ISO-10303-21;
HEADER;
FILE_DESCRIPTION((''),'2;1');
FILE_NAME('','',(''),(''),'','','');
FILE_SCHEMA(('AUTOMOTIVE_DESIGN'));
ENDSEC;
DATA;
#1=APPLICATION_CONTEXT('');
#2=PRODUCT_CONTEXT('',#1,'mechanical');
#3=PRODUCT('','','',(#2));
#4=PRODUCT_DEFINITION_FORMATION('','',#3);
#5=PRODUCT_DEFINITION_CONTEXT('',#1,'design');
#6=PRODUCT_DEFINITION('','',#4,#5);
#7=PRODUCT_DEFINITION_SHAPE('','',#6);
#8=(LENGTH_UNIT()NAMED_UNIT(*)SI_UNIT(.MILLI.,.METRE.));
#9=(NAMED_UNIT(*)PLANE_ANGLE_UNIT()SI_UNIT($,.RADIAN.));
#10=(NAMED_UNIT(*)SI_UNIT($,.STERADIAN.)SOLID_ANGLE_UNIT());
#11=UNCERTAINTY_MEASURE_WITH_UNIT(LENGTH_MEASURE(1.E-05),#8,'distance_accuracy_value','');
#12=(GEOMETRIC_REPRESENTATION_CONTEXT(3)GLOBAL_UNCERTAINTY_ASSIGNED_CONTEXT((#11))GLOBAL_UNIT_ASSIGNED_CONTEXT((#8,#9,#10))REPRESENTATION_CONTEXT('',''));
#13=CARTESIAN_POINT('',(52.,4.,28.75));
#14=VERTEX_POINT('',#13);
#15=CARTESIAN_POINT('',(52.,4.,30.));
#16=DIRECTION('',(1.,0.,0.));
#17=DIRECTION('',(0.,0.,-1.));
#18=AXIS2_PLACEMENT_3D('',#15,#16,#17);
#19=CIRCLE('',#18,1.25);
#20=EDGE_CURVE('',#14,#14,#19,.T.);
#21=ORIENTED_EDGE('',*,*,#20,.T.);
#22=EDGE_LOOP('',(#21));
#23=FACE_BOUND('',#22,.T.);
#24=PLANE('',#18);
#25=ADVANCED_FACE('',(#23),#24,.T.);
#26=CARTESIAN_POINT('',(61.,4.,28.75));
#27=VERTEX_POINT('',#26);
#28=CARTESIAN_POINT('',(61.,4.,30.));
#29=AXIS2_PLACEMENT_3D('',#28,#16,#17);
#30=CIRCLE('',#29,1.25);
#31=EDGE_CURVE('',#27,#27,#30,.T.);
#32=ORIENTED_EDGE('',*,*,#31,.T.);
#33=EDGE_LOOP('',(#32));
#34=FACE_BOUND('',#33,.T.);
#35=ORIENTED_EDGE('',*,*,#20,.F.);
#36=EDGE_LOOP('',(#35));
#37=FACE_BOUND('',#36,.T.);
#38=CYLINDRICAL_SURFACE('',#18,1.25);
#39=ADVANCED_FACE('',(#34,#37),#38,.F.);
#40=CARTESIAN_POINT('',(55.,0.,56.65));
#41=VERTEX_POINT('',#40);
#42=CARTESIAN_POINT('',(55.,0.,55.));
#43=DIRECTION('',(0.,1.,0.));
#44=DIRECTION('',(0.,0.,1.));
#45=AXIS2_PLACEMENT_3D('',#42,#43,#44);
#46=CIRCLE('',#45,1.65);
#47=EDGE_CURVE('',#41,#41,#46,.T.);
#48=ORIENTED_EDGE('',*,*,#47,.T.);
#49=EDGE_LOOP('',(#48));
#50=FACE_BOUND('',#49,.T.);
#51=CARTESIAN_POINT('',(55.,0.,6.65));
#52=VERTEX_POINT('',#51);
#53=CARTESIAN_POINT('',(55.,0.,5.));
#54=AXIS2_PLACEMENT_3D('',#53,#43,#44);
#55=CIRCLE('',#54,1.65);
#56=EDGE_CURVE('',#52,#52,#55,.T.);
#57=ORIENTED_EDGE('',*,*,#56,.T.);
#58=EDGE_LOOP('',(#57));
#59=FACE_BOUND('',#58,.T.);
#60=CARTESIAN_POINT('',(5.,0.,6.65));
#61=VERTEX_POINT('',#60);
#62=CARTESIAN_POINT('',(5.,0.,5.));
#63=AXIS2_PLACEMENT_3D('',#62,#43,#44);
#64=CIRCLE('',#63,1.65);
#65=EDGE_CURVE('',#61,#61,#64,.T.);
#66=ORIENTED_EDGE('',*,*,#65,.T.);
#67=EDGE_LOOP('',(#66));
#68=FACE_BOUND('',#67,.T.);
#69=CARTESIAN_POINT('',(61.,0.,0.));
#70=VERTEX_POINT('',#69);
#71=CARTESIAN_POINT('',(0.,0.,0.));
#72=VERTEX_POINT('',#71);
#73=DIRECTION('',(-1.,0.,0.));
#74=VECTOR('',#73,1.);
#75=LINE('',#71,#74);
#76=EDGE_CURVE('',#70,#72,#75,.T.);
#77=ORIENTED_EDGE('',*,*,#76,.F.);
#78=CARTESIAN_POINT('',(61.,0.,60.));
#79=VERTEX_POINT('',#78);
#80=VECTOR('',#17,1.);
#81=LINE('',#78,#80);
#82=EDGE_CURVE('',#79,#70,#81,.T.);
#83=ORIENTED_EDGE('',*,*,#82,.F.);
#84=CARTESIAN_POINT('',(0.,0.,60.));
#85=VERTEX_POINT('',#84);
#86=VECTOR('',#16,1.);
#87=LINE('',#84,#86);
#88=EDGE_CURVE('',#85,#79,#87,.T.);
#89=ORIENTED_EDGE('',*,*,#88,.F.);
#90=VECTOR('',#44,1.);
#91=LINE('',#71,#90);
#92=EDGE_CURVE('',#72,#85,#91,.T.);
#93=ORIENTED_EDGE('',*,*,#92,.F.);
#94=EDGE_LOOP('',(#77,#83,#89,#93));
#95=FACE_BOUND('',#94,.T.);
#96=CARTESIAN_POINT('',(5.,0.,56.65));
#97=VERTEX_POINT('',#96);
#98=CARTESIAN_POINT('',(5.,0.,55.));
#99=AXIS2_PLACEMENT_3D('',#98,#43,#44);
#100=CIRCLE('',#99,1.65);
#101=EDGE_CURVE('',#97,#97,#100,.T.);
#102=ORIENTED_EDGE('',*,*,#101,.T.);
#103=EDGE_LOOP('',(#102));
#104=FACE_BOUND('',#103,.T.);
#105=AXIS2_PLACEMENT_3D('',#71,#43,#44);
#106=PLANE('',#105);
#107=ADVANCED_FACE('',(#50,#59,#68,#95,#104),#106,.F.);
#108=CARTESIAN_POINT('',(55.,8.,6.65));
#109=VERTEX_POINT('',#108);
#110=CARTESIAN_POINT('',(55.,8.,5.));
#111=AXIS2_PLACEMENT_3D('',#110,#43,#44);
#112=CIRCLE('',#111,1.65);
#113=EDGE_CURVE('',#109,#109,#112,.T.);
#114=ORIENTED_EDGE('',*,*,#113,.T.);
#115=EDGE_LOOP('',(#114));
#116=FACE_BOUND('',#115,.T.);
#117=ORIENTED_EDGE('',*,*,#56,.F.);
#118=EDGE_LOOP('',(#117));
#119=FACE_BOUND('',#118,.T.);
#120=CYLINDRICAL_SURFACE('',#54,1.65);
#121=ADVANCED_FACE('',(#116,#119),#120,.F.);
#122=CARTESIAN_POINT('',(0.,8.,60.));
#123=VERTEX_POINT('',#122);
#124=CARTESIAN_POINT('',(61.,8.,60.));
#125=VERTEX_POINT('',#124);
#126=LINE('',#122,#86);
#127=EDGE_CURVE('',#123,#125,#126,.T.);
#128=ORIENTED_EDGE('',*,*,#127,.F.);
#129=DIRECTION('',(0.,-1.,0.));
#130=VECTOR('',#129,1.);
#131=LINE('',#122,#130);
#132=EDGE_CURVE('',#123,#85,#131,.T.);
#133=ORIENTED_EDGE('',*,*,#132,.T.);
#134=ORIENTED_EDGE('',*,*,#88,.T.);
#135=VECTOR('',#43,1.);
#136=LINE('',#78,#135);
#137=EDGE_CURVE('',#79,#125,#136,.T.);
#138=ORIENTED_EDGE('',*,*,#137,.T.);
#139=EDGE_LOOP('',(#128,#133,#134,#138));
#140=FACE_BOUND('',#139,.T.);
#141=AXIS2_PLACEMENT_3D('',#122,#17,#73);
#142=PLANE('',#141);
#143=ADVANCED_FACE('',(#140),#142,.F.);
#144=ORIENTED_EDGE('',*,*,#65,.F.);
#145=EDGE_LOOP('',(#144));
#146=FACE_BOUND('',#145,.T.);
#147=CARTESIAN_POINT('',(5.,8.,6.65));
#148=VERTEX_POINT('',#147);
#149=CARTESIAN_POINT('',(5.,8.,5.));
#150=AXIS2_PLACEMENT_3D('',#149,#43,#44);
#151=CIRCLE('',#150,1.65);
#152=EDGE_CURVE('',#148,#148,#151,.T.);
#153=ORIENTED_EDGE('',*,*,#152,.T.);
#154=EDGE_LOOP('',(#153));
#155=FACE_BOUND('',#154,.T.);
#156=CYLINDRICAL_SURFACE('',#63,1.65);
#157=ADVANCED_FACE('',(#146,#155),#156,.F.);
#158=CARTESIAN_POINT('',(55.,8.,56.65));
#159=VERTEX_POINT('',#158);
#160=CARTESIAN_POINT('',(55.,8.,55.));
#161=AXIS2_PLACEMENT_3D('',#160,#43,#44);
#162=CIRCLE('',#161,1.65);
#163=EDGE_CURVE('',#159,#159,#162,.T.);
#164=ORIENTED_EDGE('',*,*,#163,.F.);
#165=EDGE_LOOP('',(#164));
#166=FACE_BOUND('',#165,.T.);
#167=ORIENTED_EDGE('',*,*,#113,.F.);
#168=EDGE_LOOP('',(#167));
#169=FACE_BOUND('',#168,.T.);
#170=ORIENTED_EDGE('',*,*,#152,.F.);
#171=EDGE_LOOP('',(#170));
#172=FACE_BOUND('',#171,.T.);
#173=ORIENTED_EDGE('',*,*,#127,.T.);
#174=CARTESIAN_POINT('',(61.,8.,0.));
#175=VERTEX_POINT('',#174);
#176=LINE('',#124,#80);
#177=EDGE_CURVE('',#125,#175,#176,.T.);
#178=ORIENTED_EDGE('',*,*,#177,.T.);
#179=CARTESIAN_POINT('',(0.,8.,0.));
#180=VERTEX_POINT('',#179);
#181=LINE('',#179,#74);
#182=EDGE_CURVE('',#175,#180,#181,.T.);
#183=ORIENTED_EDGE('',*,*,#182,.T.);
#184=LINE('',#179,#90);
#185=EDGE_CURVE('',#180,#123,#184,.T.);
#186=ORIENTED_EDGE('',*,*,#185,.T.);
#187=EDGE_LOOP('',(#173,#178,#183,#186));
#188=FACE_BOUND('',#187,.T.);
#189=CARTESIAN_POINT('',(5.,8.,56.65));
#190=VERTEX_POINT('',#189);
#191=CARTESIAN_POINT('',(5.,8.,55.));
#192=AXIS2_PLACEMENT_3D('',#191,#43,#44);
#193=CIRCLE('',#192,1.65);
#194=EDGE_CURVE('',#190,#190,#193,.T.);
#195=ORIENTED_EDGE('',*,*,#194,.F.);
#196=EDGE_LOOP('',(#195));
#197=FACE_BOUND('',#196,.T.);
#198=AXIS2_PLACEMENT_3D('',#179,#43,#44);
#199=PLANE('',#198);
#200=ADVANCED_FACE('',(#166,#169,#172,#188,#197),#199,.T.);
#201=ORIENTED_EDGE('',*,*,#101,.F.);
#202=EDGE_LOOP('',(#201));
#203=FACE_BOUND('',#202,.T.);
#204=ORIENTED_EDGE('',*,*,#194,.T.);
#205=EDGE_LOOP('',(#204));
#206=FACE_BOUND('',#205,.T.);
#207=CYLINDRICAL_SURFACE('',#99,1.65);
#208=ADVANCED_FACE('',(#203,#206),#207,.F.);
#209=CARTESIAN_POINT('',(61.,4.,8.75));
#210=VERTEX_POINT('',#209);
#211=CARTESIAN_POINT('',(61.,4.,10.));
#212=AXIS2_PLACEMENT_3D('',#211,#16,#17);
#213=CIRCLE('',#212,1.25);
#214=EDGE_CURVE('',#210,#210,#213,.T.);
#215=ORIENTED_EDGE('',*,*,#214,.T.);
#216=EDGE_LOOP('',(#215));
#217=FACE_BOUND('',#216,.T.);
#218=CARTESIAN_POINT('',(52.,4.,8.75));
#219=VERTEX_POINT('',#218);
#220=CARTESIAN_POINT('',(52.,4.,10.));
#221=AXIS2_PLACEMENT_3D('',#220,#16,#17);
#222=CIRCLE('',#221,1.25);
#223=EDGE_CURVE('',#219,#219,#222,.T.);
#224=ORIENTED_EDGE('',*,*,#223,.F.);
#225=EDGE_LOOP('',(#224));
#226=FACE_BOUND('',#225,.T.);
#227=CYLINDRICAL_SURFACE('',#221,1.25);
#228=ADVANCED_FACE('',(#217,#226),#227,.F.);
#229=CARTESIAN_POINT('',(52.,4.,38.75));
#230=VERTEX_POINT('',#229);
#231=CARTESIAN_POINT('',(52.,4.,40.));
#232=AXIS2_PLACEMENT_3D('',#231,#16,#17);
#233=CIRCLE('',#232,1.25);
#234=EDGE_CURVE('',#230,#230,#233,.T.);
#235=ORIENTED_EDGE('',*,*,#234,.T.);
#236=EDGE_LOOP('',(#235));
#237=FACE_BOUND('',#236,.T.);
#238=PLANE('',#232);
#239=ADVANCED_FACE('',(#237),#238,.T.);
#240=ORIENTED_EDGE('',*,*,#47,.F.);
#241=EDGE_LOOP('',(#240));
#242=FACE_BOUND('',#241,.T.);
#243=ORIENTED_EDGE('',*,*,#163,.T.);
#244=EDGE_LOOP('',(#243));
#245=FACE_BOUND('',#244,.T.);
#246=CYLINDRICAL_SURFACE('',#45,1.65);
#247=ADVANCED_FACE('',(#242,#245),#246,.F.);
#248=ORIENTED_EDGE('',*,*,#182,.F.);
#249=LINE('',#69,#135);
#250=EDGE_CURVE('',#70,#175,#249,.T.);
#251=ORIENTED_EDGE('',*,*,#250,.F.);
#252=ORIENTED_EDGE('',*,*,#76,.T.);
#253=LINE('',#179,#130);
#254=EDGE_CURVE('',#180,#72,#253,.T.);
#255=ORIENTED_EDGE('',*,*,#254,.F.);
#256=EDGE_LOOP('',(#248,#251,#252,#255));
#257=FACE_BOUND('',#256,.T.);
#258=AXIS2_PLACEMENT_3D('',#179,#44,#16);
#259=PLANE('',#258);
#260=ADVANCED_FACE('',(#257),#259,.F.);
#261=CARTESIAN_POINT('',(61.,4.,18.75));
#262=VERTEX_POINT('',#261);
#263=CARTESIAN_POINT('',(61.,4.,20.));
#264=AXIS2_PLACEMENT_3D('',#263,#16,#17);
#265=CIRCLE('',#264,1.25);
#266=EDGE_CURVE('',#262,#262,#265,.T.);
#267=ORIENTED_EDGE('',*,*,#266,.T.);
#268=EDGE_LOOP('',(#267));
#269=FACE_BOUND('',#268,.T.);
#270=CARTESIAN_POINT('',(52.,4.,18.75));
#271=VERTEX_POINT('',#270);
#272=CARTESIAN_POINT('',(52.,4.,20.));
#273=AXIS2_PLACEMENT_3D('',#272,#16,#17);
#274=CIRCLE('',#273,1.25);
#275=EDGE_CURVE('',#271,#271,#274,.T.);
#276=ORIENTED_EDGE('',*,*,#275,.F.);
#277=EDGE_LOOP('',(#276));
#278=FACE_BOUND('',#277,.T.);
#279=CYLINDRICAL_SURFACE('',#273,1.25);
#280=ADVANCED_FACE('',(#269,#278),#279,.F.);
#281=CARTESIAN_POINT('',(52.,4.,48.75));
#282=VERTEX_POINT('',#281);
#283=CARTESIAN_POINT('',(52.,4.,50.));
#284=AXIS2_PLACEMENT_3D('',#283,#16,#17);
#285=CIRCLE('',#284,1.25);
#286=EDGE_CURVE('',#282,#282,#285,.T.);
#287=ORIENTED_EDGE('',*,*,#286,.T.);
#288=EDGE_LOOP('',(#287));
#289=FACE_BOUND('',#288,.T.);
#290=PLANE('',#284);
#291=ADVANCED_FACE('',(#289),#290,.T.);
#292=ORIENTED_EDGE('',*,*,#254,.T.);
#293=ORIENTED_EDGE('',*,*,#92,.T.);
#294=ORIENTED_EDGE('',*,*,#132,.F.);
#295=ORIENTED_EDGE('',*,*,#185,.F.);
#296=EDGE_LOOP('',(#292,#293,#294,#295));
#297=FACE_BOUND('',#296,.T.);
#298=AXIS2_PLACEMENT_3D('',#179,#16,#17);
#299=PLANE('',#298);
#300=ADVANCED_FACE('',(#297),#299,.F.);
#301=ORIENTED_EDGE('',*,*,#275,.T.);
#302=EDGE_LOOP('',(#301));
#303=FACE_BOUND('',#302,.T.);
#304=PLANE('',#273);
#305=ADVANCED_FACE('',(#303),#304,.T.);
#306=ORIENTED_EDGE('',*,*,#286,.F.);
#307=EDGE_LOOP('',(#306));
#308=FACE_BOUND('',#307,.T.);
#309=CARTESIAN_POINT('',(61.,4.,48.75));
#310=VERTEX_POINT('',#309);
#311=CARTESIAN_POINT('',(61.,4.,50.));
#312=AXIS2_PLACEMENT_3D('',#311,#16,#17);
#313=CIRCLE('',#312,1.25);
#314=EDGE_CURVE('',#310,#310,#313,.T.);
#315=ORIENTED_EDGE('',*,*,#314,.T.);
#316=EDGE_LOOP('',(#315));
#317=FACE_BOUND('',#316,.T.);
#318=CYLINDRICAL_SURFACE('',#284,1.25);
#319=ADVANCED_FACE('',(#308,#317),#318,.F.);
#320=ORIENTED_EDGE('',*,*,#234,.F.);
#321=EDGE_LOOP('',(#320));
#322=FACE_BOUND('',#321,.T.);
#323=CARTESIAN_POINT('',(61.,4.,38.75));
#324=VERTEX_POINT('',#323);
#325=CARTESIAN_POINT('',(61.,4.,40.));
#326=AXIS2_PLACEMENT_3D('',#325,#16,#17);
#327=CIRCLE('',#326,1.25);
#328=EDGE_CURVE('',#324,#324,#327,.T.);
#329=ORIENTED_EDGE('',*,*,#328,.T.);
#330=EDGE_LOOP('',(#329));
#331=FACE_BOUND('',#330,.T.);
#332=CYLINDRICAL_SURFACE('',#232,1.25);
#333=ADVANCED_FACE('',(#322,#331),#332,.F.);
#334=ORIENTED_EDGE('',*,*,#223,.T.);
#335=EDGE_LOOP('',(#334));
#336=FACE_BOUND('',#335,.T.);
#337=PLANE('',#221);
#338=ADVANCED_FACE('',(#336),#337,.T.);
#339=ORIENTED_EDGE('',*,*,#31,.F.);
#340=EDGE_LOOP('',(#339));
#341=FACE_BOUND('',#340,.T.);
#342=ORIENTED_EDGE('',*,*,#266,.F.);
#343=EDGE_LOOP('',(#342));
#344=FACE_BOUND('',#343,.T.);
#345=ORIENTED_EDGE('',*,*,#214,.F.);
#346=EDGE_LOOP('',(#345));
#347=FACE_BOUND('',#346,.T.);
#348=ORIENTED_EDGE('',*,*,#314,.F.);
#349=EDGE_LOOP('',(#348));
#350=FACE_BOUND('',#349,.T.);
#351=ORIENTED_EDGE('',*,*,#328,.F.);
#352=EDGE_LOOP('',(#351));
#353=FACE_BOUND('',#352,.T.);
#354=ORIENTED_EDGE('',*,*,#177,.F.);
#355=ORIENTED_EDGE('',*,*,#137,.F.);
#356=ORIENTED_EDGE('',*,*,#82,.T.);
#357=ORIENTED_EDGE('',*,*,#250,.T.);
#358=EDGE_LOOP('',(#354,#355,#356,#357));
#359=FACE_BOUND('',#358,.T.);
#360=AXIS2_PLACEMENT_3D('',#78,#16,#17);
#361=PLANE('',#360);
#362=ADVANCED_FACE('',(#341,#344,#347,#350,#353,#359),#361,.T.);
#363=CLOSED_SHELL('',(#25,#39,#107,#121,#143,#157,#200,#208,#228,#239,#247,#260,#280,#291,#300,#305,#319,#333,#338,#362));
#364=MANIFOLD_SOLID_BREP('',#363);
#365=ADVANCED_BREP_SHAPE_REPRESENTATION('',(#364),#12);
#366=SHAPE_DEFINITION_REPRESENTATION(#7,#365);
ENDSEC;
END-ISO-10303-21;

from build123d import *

# Parameters (mm, degrees)
SKETCH_1_W          = 60
SKETCH_1_H          = 60
EXTRUDE_1_DEPTH     = 8
SKETCH_2_R          = 1.65
CUT_EXTRUDE_1_DEPTH = 8
SKETCH_3_W          = 1
SKETCH_3_H          = 60
EXTRUDE_2_DEPTH     = 8
SKETCH_7_R          = 1.25
CUT_EXTRUDE_2_DEPTH = 9


with BuildPart() as part:
    # 草图1 → 凸台-拉伸1 (new body)
    with BuildSketch(Plane(origin=(0, 0, 0), x_dir=(1, 0, 0), z_dir=(0, 1, 0))):
        with Locations((30, -30)):
            Rectangle(SKETCH_1_W, SKETCH_1_H)
    extrude(amount=EXTRUDE_1_DEPTH)

    # 草图2 → 切除-拉伸1 (cut)
    with BuildSketch(Plane(origin=(0, 8, 0), x_dir=(1, 0, 0), z_dir=(0, 1, 0))):
        with Locations(Location((5, -5, 0), (0, 0, 270))):
            Circle(SKETCH_2_R)
        with Locations(Location((55, -5, 0), (0, 0, 270))):
            Circle(SKETCH_2_R)
        with Locations(Location((5, -55, 0), (0, 0, 270))):
            Circle(SKETCH_2_R)
        with Locations(Location((55, -55, 0), (0, 0, 270))):
            Circle(SKETCH_2_R)
    extrude(amount=-CUT_EXTRUDE_1_DEPTH, mode=Mode.SUBTRACT)

    # 草图3 → 凸台-拉伸2 (add)
    with BuildSketch(Plane(origin=(0, 8, 0), x_dir=(1, 0, 0), z_dir=(0, 1, 0))):
        with Locations((60.5, -30)):
            Rectangle(SKETCH_3_W, SKETCH_3_H)
    extrude(amount=-EXTRUDE_2_DEPTH)

    # 草图7 → 切除-拉伸2 (cut)
    with BuildSketch(Plane(origin=(61, 0, 0), x_dir=(0, 0, -1), z_dir=(1, 0, 0))):
        with Locations((-50, 4)):
            Circle(SKETCH_7_R)
        with Locations((-40, 4)):
            Circle(SKETCH_7_R)
        with Locations((-30, 4)):
            Circle(SKETCH_7_R)
        with Locations((-10, 4)):
            Circle(SKETCH_7_R)
        with Locations((-20, 4)):
            Circle(SKETCH_7_R)
    extrude(amount=-CUT_EXTRUDE_2_DEPTH, mode=Mode.SUBTRACT)


solid = part.part
